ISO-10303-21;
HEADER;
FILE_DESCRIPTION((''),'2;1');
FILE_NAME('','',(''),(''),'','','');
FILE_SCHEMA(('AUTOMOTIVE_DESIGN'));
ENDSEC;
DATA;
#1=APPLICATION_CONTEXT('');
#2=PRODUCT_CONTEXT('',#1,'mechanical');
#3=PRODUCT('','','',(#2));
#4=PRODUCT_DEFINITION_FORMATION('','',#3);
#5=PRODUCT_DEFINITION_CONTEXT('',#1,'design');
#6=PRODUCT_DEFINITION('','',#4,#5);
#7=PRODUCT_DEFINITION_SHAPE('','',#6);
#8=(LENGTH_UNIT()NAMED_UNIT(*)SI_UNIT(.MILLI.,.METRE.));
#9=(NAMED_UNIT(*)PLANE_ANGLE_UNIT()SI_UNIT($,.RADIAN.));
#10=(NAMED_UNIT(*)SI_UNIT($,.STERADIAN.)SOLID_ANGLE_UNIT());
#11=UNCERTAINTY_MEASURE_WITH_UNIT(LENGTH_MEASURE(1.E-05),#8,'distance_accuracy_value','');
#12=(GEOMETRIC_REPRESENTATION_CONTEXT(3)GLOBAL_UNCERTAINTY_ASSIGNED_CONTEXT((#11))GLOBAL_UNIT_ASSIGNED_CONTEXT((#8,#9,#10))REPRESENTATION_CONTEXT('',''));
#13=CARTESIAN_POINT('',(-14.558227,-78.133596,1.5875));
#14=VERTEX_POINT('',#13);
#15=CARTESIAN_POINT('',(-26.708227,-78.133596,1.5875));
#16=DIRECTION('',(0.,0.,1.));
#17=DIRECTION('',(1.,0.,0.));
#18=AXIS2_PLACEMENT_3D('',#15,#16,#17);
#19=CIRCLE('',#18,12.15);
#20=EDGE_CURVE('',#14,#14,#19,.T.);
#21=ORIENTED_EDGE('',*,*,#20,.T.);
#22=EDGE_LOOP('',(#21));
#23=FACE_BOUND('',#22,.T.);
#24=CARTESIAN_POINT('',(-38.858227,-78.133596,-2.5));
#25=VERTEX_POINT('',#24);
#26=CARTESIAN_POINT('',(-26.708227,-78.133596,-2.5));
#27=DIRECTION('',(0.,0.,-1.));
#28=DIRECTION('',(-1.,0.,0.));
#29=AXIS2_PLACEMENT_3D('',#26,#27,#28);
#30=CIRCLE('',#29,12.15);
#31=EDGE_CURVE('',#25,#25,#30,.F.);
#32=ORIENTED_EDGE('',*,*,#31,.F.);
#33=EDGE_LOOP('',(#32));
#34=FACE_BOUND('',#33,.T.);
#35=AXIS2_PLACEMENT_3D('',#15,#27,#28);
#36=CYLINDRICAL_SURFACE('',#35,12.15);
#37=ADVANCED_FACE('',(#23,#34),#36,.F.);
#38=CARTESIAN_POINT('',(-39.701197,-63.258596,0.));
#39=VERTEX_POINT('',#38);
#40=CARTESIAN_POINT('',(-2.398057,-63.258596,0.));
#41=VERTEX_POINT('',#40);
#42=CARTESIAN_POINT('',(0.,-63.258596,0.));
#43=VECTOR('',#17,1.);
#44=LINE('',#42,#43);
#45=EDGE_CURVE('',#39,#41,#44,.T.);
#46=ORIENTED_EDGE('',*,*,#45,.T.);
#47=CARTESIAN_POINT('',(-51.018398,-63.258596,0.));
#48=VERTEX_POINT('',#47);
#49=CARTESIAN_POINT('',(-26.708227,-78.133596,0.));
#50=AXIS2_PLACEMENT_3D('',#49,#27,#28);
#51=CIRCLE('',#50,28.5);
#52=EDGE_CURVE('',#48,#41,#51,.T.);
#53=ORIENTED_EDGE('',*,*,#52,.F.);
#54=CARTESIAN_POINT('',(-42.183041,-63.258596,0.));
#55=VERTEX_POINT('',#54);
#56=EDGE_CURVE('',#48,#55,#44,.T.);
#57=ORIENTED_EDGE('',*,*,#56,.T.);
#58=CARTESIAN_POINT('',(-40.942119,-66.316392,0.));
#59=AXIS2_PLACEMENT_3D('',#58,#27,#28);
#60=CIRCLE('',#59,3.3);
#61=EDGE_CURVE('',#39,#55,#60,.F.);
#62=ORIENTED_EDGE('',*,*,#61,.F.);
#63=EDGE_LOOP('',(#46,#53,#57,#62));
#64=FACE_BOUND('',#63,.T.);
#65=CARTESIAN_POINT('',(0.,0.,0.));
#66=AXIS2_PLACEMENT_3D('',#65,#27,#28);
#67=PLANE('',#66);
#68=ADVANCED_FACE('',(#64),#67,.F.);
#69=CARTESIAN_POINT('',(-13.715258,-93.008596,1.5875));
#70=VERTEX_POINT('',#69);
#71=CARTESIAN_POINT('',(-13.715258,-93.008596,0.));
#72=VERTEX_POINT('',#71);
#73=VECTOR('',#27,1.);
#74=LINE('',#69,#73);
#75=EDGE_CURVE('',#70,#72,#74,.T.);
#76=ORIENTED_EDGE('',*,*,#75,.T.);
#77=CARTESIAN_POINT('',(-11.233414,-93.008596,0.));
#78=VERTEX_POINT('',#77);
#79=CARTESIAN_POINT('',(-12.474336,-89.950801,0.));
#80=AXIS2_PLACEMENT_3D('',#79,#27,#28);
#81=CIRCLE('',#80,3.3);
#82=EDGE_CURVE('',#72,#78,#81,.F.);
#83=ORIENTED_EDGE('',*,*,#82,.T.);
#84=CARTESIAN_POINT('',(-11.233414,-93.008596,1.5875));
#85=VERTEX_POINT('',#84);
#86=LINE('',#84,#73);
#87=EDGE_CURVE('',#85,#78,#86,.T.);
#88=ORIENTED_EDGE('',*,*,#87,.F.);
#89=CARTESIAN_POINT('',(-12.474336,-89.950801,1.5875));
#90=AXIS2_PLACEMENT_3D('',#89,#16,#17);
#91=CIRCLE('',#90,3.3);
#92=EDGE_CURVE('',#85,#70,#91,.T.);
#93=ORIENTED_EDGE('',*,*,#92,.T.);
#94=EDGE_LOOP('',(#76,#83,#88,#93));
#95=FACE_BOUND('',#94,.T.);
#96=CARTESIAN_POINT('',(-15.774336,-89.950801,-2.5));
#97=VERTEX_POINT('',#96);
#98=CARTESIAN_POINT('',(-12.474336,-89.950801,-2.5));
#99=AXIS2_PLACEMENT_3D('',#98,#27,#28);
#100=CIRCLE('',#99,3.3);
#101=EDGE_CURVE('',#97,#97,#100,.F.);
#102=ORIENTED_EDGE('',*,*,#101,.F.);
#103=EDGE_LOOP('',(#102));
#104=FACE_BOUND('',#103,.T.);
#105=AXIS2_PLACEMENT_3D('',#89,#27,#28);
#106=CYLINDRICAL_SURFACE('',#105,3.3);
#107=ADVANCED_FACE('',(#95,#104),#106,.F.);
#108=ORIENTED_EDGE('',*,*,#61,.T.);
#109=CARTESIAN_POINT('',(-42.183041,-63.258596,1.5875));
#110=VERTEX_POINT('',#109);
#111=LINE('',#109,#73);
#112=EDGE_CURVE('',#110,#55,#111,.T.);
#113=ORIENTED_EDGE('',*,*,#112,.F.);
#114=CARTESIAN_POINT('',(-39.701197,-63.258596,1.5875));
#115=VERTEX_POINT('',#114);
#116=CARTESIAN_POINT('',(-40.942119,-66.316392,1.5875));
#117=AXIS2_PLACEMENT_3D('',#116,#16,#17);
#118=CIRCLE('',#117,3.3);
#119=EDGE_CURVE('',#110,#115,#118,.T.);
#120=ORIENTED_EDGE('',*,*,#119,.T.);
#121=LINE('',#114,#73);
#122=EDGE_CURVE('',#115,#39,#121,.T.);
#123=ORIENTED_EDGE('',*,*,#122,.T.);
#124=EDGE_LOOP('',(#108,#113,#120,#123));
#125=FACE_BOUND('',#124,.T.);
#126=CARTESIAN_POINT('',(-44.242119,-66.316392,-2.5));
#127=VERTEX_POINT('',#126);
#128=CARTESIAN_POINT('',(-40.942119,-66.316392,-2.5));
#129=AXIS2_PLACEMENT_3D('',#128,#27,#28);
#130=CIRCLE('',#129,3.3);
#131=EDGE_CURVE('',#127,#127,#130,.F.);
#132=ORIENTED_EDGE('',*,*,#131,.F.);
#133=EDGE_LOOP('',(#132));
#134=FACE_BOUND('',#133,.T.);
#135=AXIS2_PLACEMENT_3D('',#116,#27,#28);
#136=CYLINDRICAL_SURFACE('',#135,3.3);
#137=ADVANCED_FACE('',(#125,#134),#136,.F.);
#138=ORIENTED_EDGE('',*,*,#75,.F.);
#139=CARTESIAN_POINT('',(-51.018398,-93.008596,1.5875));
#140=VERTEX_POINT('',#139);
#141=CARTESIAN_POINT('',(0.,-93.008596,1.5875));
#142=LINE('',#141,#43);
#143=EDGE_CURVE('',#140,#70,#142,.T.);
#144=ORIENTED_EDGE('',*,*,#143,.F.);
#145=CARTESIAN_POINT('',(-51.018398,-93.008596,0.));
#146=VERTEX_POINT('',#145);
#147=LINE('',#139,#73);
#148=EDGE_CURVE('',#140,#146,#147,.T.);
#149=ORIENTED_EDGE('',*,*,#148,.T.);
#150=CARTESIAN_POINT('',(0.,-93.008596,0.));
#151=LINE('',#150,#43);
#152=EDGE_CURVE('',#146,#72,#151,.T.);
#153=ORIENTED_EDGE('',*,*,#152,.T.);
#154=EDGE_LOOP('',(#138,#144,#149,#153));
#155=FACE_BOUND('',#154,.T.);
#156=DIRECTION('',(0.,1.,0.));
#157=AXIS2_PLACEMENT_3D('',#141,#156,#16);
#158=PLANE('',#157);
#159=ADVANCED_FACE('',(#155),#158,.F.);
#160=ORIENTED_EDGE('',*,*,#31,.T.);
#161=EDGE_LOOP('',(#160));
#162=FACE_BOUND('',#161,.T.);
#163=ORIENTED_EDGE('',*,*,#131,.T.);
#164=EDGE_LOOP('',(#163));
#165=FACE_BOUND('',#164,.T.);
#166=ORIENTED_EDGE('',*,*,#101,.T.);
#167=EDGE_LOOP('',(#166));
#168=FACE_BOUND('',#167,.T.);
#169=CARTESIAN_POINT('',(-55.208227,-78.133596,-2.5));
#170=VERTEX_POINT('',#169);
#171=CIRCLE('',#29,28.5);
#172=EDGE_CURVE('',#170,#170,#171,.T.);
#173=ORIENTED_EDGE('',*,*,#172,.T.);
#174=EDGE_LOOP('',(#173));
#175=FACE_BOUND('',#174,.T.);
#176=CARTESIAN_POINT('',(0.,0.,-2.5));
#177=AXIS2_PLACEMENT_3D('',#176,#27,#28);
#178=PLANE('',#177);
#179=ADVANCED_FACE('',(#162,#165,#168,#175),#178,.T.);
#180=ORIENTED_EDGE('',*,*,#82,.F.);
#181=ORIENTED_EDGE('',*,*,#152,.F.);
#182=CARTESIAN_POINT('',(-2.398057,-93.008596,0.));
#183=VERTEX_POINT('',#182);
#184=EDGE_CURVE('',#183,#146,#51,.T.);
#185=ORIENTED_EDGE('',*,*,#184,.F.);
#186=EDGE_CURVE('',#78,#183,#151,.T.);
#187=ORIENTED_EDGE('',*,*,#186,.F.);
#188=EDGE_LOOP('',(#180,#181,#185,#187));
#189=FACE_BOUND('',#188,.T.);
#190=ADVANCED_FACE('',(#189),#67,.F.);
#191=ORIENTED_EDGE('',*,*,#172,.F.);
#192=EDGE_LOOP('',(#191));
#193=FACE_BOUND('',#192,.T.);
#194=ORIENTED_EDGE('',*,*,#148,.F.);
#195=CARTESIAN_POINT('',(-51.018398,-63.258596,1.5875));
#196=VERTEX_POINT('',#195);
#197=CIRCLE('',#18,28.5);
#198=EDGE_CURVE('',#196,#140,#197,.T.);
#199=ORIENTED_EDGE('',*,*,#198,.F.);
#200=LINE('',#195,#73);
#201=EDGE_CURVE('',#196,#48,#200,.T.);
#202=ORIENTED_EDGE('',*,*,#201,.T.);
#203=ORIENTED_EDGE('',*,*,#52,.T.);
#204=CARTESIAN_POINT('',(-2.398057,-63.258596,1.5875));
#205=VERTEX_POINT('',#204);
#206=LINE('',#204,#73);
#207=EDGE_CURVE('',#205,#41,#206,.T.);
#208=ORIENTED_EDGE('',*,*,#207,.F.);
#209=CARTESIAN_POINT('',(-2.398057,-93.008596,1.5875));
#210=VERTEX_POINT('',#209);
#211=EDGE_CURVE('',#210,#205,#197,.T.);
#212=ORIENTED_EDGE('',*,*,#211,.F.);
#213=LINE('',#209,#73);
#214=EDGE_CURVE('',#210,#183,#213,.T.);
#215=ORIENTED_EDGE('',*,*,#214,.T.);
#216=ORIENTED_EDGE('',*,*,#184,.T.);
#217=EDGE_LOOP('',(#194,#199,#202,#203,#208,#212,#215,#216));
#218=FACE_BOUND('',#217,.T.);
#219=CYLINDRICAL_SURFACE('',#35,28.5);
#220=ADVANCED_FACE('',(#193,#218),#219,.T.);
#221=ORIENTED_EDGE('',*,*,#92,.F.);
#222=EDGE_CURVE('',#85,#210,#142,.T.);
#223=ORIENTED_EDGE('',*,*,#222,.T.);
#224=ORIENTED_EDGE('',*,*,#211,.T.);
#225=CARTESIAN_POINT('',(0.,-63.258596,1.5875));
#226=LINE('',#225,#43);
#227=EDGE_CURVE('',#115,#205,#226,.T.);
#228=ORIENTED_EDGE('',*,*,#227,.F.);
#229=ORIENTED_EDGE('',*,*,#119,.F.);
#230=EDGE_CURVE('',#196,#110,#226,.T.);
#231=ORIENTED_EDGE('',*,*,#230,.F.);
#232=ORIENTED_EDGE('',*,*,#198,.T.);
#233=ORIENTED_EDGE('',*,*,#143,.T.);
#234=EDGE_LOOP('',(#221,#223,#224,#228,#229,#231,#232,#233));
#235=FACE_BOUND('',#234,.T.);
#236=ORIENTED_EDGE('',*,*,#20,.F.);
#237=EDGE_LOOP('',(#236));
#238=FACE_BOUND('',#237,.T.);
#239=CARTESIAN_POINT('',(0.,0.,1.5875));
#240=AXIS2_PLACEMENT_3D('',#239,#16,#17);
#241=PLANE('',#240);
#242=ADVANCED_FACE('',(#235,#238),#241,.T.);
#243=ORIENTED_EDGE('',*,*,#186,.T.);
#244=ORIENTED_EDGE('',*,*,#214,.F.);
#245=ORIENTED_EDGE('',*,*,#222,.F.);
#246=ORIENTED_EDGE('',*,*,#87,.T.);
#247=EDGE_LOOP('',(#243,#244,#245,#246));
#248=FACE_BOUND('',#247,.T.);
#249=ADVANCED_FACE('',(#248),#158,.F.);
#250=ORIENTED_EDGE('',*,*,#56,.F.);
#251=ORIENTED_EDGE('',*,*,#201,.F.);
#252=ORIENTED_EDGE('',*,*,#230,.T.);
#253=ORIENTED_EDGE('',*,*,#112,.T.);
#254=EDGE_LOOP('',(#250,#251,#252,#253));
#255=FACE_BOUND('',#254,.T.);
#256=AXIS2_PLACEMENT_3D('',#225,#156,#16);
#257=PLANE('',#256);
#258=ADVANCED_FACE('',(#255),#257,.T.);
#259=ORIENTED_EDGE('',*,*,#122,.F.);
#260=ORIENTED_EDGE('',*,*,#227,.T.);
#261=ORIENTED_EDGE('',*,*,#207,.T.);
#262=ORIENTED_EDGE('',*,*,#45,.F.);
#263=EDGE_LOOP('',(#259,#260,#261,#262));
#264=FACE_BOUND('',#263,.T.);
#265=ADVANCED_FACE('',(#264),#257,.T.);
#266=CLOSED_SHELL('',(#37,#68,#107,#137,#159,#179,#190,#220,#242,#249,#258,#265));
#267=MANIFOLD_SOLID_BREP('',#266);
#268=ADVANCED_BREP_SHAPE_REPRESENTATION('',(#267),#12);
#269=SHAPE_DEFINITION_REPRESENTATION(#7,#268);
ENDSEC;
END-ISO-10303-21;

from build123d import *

# Parameters (mm, degrees)
SKETCH1_R           = 12.15
BOSS_EXTRUDE1_DEPTH = 1.5875
BOSS_EXTRUDE2_START = 2.5
SKETCH2_R           = 28.5
SKETCH2_R_2         = 3.3
SKETCH2_R_3         = 12.15
BOSS_EXTRUDE2_DEPTH = 2.5


with BuildPart() as part:
    # Sketch1 → Boss-Extrude1 (new body)
    with BuildSketch(Plane.XY):
        with BuildLine():
            ThreePointArc((-51.018397576, -63.258596209), (-55.208227379, -78.133596209), (-51.018397576, -93.008596209))
            Line((-51.018397576, -93.008596209), (-13.715257622, -93.008596209))
            ThreePointArc((-13.715257622, -93.008596209), (-14.317560686, -87.2135538), (-9.17433561, -89.950800833))
            ThreePointArc((-9.17433561, -89.950800833), (-9.737088578, -91.794025909), (-11.233413599, -93.008596209))
            Line((-11.233413599, -93.008596209), (-2.398057182, -93.008596209))
            ThreePointArc((-2.398057182, -93.008596209), (0.724324914, -85.860502103), (1.791772621, -78.133596209))
            ThreePointArc((1.791772621, -78.133596209), (0.724324914, -70.406690315), (-2.398057182, -63.258596209))
            Line((-2.398057182, -63.258596209), (-39.701197136, -63.258596209))
            ThreePointArc((-39.701197136, -63.258596209), (-38.204872114, -64.473166509), (-37.642119147, -66.316391585))
            ThreePointArc((-37.642119147, -66.316391585), (-42.785344223, -69.053638618), (-42.183041159, -63.258596209))
            Line((-42.183041159, -63.258596209), (-51.018397576, -63.258596209))
        make_face()
        with Locations((-26.708227379, -78.133596209)):
            Circle(SKETCH1_R, mode=Mode.SUBTRACT)
    extrude(amount=BOSS_EXTRUDE1_DEPTH)

    # Sketch2 → Boss-Extrude2 (add)
    with BuildSketch(Plane(origin=(0, 0, 0), x_dir=(-1, 0, 0), z_dir=(0, 0, -1)).offset(BOSS_EXTRUDE2_START)):
        with Locations((26.708227379, -78.133596209)):
            Circle(SKETCH2_R)
        with Locations((40.942119147, -66.316391585)):
            Circle(SKETCH2_R_2, mode=Mode.SUBTRACT)
        with Locations((12.47433561, -89.950800833)):
            Circle(SKETCH2_R_2, mode=Mode.SUBTRACT)
        with Locations((26.708227379, -78.133596209)):
            Circle(SKETCH2_R_3, mode=Mode.SUBTRACT)
    extrude(amount=-BOSS_EXTRUDE2_DEPTH)


solid = part.part
